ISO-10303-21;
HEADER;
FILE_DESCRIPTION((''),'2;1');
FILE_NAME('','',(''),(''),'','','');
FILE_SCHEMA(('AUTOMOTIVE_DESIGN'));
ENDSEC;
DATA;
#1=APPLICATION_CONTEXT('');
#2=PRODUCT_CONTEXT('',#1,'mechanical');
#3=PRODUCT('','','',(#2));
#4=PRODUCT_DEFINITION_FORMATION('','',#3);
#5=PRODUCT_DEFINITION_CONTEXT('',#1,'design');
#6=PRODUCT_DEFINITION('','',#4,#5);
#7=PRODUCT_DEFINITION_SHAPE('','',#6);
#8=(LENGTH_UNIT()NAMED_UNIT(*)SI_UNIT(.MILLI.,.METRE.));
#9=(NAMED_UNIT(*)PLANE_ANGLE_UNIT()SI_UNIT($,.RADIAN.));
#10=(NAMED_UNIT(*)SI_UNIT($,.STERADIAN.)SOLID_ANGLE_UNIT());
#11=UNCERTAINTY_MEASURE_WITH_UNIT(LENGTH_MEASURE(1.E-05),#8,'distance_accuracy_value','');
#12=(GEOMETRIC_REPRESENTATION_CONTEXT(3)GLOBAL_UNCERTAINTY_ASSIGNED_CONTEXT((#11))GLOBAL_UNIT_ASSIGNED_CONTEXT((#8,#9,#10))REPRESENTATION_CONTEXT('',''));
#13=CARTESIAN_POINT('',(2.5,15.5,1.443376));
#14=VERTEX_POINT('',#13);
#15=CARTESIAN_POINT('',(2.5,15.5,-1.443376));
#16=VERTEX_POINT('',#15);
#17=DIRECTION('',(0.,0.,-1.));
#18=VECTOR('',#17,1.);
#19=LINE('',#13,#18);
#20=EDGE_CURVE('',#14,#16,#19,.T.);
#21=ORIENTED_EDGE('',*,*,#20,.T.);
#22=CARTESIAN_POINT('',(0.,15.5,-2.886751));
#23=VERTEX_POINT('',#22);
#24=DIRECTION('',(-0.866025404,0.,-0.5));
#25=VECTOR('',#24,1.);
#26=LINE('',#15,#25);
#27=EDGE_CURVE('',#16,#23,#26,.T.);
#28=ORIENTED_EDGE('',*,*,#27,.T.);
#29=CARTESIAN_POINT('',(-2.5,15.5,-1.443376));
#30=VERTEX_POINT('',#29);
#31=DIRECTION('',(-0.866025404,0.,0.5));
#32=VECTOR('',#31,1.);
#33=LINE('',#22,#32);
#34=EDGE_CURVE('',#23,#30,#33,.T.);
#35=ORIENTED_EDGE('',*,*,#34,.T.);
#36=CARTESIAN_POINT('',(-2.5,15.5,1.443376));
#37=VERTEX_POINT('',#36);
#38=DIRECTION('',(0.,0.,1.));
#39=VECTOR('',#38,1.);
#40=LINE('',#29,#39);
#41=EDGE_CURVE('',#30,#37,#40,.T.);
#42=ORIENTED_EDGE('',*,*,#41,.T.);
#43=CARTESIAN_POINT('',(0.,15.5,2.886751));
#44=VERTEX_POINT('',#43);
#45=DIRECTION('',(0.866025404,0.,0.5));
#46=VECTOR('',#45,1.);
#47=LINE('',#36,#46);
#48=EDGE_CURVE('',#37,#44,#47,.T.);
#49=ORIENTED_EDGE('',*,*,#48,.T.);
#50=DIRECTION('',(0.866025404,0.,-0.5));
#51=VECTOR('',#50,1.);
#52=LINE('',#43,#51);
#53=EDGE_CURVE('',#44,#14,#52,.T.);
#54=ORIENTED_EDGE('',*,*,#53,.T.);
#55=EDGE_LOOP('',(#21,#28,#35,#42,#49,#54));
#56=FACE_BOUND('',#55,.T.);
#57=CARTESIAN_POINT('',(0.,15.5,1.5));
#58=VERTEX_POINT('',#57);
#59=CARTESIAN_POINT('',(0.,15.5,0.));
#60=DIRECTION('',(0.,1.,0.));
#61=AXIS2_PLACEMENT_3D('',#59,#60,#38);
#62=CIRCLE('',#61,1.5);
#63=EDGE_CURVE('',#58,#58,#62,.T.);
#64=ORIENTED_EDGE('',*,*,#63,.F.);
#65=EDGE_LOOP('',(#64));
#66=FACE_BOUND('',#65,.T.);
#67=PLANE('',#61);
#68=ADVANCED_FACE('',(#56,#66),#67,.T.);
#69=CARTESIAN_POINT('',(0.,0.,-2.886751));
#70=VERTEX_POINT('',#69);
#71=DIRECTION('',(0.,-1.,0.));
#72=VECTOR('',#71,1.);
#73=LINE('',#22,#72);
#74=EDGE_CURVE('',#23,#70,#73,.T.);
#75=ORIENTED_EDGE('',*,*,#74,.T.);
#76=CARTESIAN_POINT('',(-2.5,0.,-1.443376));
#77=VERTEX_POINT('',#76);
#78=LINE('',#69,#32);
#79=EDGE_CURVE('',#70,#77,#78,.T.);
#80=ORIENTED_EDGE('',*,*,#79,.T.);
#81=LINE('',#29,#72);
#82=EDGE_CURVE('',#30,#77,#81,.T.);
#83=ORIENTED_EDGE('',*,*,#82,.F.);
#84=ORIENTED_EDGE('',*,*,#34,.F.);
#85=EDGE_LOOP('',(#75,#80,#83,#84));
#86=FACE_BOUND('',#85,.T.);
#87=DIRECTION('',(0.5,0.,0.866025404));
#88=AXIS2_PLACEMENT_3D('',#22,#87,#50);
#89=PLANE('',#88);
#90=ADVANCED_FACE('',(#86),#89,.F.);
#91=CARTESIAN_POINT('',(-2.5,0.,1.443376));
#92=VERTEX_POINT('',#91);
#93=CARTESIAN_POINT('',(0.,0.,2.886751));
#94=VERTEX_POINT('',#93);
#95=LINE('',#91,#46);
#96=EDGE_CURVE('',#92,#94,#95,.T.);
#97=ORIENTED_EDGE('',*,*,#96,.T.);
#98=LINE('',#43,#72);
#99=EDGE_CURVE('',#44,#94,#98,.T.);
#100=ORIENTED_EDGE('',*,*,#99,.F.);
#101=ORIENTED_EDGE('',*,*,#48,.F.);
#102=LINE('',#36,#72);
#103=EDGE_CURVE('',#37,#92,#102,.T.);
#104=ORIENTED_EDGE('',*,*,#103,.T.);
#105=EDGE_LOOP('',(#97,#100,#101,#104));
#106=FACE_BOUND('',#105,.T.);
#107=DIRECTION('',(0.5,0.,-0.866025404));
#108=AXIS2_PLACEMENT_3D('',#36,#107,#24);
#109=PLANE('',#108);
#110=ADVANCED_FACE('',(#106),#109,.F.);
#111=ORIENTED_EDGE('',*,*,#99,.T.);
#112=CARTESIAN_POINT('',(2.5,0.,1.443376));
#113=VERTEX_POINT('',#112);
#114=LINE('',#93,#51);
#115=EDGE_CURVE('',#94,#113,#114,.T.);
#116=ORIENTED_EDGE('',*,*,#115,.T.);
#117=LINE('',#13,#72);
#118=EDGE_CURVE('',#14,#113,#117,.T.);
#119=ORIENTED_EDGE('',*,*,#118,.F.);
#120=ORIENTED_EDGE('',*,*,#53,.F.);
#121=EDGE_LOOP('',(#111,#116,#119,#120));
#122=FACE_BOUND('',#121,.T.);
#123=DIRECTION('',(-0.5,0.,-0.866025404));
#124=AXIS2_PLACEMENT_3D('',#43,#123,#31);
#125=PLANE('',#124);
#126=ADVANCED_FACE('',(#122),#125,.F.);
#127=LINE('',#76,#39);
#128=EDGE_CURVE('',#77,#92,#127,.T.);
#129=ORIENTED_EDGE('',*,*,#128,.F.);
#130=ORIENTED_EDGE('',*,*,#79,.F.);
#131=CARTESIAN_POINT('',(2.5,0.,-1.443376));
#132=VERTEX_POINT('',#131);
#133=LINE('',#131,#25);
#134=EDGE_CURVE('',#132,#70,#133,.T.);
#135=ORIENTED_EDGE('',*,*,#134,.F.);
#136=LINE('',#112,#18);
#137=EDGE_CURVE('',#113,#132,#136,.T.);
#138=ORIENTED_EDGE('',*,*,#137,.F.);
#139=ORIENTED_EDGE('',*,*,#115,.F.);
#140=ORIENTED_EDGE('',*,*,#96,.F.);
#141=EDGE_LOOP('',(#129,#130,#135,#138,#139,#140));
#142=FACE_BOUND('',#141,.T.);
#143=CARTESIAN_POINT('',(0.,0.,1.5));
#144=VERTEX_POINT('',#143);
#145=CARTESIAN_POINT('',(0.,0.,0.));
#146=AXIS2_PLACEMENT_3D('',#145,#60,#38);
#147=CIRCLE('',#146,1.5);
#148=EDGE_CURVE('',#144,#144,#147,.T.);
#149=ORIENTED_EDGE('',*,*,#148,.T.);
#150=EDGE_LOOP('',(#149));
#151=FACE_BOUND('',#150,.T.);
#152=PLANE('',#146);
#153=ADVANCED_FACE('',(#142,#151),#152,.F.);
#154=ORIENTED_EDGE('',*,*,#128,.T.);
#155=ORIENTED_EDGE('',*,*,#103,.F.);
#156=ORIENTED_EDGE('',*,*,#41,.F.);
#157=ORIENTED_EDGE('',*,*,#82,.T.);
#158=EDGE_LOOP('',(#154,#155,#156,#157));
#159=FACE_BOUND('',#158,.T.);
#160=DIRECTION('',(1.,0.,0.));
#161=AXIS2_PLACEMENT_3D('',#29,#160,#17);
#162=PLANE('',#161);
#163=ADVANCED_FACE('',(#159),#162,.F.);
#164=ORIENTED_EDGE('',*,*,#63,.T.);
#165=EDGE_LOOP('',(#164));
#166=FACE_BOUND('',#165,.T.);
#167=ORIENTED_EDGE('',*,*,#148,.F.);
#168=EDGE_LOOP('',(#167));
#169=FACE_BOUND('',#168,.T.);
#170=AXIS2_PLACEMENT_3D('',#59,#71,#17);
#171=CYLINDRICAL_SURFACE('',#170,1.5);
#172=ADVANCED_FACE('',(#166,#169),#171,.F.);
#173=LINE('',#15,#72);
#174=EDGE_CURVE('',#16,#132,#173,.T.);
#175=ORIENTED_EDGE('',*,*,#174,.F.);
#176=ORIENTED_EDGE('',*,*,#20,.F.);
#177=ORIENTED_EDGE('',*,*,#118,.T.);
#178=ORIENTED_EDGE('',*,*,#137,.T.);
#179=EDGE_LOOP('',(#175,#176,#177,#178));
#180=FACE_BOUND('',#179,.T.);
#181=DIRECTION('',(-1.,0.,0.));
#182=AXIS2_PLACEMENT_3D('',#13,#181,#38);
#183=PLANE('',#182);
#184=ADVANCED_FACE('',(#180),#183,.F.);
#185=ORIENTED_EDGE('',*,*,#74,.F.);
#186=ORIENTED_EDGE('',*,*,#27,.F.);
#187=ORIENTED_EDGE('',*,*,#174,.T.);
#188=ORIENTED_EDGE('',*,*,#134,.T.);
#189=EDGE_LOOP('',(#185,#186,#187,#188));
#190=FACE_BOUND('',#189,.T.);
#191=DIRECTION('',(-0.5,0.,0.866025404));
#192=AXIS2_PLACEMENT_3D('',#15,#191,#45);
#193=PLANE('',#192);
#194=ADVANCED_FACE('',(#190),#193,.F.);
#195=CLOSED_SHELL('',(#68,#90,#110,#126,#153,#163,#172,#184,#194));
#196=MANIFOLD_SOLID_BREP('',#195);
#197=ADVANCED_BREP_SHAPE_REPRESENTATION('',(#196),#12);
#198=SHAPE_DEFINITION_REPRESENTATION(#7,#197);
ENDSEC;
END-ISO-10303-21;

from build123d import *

# Parameters (mm, degrees)
SKETCH_1_R      = 1.5
EXTRUDE_1_DEPTH = 15.5


with BuildPart() as part:
    # 草圖1 → 填料-伸長1 (new body)
    with BuildSketch(Plane(origin=(0, 0, 0), x_dir=(1, 0, 0), z_dir=(0, 1, 0))):
        Polygon((0, 2.886751346), (-2.5, 1.443375673), (-2.5, -1.443375673), (0, -2.886751346), (2.5, -1.443375673), (2.5, 1.443375673), align=None)
        Circle(SKETCH_1_R, mode=Mode.SUBTRACT)
    extrude(amount=EXTRUDE_1_DEPTH)


solid = part.part
